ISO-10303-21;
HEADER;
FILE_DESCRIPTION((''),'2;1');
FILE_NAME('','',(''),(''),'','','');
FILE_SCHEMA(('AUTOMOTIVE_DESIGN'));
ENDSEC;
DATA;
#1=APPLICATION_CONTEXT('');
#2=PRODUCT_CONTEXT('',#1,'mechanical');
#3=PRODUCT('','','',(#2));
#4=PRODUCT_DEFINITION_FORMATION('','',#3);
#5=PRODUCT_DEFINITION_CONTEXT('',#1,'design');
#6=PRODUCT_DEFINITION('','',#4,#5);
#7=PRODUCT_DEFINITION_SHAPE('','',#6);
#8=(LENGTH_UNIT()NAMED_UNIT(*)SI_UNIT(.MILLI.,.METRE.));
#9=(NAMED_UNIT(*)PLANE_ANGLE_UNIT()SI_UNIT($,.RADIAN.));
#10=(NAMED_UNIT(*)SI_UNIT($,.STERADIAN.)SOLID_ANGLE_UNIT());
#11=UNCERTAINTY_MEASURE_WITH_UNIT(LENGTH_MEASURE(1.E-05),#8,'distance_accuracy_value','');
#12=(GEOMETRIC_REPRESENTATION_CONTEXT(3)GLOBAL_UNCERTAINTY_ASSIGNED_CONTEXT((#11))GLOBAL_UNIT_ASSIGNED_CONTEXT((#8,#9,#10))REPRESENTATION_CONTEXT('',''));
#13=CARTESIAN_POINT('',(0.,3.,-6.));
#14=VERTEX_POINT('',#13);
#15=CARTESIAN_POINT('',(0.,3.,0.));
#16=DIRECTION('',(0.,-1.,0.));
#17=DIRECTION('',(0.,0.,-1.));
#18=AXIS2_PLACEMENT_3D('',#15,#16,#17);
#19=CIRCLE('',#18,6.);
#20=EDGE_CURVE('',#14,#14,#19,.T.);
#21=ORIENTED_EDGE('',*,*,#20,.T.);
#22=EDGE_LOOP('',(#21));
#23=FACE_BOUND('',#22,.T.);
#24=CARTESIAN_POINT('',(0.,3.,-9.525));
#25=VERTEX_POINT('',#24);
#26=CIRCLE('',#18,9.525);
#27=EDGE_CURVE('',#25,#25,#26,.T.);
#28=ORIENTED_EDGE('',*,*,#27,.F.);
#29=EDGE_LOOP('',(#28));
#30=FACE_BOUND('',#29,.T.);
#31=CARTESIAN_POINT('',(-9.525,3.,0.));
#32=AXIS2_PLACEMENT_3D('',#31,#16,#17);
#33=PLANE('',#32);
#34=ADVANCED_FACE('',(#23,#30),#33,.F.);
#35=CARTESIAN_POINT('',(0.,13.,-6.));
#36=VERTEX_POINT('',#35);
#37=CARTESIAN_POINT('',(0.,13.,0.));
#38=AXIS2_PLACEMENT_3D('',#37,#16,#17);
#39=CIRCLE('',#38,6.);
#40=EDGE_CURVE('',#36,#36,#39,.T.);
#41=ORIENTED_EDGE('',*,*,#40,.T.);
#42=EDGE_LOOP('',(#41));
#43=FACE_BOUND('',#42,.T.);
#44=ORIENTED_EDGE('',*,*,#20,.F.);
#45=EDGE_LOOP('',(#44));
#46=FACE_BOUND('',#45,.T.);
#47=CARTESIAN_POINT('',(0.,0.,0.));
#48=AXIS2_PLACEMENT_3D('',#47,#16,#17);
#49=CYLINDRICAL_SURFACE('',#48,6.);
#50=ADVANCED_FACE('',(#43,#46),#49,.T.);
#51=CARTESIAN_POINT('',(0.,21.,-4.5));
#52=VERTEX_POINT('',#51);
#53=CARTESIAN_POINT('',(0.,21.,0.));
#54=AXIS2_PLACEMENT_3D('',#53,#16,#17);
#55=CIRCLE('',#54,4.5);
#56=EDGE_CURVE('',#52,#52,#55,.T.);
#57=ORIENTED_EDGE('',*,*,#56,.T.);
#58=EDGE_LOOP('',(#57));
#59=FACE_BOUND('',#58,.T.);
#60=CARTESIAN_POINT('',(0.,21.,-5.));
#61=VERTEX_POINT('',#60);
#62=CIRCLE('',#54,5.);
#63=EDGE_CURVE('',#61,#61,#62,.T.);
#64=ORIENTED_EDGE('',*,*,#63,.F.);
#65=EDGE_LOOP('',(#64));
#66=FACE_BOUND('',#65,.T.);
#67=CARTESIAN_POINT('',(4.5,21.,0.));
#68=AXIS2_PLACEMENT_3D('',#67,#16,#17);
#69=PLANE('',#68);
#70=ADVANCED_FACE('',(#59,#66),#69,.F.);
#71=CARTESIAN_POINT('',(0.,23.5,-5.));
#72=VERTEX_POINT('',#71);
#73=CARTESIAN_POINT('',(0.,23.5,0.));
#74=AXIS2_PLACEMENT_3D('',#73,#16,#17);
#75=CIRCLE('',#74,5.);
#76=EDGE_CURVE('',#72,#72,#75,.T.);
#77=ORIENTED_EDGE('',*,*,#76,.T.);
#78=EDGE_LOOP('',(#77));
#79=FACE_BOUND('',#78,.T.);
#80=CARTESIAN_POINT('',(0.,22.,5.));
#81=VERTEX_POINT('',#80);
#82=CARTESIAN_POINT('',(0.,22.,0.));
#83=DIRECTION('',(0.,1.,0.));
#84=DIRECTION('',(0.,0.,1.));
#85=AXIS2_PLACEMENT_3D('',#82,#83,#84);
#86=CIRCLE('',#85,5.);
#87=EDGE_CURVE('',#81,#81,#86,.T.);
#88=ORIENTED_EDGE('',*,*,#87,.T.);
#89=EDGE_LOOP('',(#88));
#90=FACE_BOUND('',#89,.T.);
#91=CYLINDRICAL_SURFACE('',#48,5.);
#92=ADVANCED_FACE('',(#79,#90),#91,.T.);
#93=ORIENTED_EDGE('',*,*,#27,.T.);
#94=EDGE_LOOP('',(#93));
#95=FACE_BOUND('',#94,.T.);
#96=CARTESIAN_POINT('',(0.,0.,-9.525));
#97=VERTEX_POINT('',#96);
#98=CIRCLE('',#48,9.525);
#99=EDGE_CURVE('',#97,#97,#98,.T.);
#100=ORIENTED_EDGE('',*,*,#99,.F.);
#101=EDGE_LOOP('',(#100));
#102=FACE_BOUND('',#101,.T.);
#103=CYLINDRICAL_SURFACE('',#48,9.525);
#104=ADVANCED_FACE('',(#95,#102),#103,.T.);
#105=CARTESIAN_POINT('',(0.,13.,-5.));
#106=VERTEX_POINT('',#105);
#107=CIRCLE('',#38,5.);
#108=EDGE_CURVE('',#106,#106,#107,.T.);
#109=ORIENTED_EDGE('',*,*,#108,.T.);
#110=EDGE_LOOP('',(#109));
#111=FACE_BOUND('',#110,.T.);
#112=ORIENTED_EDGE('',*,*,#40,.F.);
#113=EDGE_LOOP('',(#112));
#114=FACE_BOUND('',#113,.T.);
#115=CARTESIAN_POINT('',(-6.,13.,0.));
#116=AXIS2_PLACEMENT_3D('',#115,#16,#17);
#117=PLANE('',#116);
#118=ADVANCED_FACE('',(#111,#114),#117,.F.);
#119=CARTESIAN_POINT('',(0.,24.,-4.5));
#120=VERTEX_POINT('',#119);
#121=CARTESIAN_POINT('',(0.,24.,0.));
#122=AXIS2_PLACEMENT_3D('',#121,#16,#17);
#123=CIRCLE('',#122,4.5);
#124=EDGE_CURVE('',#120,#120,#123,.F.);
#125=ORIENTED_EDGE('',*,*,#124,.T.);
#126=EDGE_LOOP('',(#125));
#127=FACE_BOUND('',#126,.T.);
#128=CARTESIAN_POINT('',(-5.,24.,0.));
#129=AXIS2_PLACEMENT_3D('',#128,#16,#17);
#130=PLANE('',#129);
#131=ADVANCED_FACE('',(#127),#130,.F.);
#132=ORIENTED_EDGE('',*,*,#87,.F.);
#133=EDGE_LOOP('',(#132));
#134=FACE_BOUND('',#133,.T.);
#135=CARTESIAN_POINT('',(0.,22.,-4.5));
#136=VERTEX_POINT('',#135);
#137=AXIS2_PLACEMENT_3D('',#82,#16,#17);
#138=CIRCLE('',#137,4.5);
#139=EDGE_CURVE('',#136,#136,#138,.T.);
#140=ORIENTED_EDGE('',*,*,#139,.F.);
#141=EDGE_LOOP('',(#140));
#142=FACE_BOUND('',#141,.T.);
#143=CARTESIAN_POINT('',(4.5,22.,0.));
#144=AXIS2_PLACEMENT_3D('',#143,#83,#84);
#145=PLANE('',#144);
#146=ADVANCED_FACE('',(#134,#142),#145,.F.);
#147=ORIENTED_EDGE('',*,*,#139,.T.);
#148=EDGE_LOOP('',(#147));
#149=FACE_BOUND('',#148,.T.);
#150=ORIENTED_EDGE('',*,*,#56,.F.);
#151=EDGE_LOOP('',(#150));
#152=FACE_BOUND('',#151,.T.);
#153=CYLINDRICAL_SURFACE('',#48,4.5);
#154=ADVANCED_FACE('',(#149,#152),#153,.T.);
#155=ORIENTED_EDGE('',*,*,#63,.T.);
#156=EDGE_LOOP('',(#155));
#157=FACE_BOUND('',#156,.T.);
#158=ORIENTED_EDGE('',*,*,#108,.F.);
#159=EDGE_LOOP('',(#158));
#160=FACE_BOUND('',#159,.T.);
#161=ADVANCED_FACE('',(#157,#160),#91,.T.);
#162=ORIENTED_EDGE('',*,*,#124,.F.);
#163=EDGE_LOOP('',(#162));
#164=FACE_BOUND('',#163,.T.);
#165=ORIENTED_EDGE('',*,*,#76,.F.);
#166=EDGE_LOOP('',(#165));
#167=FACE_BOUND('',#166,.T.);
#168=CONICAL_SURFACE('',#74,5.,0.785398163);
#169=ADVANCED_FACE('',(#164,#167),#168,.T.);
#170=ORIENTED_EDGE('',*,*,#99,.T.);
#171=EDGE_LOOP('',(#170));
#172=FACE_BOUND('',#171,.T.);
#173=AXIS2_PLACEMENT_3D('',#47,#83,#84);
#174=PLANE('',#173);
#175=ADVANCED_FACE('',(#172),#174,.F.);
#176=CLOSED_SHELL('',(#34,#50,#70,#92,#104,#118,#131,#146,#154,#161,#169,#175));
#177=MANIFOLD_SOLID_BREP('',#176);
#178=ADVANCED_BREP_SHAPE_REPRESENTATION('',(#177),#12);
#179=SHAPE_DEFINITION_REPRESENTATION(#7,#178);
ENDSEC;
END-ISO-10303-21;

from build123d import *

# Parameters (mm, degrees)
CROQUIS2_W    = 1
CROQUIS2_H    = 1
CHAFL_N1_SIZE = 0.5


with BuildPart() as part:
    # Croquis1 → Revolución1 (revolve)
    with BuildSketch(Plane.XY, mode=Mode.PRIVATE) as revoluci_n1_sk:
        Polygon((0, 0), (-9.525, 0), (-9.525, 3), (-6, 3), (-6, 13), (-5, 13), (-5, 24), (0, 24), align=None)
    revolve(revoluci_n1_sk.sketch.rotate(Axis((0, 0, 0), (0, 1, 0)), 270), axis=Axis((0, 0, 0), (0, 1, 0)))

    # Croquis2 → Cortar-Revolución1 (revolve, cut)
    with BuildSketch(Plane.XY, mode=Mode.PRIVATE) as cortar_revoluci_n1_sk:
        with Locations((5, 21.5)):
            Rectangle(CROQUIS2_W, CROQUIS2_H)
    revolve(cortar_revoluci_n1_sk.sketch.rotate(Axis((0, 0, 0), (0, 1, 0)), 90), axis=Axis((0, 0, 0), (0, 1, 0)), mode=Mode.SUBTRACT)

    # Chaflán1
    chafl_n1_edges = [part.edges().sort_by_distance(p)[0] for p in [
        (0, 24, 5),
    ]]
    chamfer(chafl_n1_edges, length=CHAFL_N1_SIZE)


solid = part.part
